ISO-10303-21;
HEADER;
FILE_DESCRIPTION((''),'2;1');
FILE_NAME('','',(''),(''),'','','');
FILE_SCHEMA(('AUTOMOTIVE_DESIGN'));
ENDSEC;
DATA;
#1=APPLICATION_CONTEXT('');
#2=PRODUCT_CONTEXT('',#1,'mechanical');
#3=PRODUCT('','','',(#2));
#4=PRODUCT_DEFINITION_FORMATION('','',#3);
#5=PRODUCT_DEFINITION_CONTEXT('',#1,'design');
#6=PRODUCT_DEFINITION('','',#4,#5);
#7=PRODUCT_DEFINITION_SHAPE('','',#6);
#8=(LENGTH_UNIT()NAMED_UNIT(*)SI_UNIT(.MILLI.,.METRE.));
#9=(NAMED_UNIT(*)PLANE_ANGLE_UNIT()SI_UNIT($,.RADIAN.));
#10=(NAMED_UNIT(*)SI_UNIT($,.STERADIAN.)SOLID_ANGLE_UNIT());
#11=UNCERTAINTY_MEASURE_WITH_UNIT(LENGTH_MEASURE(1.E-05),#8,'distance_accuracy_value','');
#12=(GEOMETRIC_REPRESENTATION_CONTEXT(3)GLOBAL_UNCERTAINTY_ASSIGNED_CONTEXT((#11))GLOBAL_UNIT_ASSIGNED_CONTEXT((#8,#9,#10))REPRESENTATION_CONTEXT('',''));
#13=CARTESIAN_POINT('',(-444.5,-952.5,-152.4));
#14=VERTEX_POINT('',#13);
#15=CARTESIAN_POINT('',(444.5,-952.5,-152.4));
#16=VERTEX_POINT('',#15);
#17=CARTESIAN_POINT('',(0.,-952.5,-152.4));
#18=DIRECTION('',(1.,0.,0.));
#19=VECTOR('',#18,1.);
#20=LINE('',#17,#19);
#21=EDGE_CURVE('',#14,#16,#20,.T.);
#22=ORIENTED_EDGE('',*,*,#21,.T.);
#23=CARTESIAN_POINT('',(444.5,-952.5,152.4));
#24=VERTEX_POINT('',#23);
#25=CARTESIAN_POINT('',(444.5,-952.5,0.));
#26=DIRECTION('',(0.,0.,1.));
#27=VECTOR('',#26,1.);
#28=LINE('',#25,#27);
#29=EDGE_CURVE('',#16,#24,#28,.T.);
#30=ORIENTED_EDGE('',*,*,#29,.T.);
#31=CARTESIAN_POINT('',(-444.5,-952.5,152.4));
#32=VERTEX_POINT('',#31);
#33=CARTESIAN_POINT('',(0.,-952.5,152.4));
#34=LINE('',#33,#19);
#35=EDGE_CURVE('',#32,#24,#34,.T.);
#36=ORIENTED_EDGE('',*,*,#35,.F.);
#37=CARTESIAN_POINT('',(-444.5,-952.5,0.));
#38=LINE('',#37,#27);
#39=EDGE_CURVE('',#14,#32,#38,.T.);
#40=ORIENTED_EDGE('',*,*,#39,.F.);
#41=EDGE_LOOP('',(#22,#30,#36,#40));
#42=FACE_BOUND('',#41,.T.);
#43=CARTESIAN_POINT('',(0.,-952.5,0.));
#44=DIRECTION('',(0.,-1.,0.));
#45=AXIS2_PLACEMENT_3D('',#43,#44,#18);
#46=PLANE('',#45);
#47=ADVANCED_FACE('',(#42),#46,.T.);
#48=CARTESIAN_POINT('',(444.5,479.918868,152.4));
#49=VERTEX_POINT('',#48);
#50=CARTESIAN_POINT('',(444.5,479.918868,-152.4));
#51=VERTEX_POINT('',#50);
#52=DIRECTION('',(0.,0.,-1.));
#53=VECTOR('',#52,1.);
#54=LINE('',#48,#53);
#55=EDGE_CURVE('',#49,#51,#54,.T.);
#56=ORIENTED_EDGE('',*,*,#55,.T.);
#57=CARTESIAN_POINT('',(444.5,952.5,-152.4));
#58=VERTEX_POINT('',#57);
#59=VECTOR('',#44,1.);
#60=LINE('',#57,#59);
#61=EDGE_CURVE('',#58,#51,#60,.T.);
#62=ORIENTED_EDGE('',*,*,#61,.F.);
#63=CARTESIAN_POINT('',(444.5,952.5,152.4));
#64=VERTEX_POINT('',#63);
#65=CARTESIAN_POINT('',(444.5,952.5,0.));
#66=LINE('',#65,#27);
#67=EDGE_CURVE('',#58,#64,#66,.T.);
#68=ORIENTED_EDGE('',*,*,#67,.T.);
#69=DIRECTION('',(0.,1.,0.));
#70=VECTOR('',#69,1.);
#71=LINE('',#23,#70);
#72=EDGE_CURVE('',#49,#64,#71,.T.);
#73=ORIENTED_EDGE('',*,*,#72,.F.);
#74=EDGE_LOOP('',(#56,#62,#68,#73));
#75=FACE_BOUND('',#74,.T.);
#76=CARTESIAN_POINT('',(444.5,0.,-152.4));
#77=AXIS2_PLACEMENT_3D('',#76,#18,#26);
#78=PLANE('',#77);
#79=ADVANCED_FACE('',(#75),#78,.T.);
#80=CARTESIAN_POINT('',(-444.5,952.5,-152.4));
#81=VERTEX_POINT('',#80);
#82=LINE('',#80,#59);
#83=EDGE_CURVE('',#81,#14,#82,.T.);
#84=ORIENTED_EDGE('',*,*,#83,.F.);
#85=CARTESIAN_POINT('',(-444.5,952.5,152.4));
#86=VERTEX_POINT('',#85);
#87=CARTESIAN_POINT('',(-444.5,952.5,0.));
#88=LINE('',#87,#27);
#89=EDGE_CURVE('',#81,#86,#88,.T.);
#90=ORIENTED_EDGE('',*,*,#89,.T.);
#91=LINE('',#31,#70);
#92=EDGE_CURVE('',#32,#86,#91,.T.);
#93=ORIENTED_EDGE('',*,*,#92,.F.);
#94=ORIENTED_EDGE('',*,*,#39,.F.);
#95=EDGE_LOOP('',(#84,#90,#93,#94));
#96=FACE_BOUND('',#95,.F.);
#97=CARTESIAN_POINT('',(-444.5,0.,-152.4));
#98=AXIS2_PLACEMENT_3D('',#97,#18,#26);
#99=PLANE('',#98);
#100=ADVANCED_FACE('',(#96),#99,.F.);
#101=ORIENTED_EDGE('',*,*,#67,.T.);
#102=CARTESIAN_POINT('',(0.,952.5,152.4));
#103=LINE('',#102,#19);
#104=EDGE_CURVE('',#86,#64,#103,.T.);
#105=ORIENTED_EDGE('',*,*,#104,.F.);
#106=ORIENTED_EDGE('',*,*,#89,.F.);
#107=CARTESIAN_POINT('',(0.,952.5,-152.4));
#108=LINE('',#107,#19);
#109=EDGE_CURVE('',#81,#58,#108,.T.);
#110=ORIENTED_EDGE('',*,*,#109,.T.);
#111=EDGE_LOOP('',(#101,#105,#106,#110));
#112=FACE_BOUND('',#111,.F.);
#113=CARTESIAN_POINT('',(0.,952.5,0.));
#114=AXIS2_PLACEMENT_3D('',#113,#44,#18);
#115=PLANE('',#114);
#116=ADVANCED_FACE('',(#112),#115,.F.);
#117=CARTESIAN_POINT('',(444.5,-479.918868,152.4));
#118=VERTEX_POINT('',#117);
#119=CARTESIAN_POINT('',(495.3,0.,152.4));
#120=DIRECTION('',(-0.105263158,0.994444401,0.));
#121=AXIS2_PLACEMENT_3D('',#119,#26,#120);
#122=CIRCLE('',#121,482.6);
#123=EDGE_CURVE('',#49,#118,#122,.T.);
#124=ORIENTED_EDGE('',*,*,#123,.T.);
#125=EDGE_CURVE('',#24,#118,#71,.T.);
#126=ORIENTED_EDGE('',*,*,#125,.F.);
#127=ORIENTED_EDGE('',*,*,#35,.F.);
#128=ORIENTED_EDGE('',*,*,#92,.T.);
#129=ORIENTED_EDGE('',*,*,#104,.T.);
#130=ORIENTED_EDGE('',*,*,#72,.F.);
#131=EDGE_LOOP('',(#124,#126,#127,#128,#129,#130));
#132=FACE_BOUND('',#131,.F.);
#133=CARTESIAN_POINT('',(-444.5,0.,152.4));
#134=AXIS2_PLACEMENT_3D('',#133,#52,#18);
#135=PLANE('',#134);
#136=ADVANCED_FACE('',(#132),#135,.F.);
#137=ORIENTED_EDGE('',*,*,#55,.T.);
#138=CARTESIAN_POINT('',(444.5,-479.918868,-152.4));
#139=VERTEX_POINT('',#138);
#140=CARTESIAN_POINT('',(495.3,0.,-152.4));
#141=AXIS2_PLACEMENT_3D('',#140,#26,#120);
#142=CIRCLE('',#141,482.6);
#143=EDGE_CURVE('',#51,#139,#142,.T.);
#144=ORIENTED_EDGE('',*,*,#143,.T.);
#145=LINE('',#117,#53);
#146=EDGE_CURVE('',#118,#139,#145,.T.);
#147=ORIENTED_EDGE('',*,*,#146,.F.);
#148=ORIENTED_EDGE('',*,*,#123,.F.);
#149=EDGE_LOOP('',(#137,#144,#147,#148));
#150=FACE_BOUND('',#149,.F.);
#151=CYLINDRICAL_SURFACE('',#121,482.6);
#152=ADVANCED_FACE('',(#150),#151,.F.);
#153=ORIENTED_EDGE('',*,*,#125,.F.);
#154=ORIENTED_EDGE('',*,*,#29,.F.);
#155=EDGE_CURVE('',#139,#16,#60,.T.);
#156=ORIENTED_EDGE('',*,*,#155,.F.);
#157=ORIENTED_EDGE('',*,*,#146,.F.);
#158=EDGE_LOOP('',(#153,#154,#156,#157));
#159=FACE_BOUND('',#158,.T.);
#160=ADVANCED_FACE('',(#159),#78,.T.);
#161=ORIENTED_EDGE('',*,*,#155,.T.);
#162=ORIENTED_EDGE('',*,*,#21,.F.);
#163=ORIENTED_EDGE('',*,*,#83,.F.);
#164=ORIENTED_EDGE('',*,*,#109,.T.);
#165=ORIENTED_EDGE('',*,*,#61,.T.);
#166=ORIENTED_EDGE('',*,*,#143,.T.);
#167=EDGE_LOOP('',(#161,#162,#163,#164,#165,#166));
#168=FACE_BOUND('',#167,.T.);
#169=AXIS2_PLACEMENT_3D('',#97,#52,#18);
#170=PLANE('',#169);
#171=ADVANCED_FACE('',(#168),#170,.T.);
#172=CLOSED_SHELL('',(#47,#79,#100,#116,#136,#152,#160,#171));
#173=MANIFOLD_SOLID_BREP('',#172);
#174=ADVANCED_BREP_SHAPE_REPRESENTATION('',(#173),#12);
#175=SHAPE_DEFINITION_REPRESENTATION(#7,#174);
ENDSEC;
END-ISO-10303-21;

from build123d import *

# Parameters (mm, degrees)
F0_W     = 889
F0_H     = 304.8
F1_DEPTH = 952.5
F3_DEPTH = 304.8


with BuildPart() as f1:
    # F0 (on Front) → F1 (new body, symmetric)
    with BuildSketch(Plane.XZ):
        Rectangle(F0_W, F0_H)
    extrude(amount=F1_DEPTH, both=True)

    # F2 (on face) → F3 (cut, through all)
    with BuildSketch(Plane.XY.offset(152.4)):
        with BuildLine():
            ThreePointArc((444.5, 479.9188681434), (136.5390489476, 322.7899316893), (12.7, 0))
            Line((12.7, 0), (444.5, 0))
            Line((444.5, 0), (444.5, 479.9188681434))
        make_face()
        with BuildLine():
            Line((444.5, 0), (12.7, 0))
            ThreePointArc((12.7, 0), (136.5390489476, -322.7899316893), (444.5, -479.9188681434))
            Line((444.5, -479.9188681434), (444.5, 0))
        make_face()
    extrude(amount=-F3_DEPTH, mode=Mode.SUBTRACT)


solid = f1.part
